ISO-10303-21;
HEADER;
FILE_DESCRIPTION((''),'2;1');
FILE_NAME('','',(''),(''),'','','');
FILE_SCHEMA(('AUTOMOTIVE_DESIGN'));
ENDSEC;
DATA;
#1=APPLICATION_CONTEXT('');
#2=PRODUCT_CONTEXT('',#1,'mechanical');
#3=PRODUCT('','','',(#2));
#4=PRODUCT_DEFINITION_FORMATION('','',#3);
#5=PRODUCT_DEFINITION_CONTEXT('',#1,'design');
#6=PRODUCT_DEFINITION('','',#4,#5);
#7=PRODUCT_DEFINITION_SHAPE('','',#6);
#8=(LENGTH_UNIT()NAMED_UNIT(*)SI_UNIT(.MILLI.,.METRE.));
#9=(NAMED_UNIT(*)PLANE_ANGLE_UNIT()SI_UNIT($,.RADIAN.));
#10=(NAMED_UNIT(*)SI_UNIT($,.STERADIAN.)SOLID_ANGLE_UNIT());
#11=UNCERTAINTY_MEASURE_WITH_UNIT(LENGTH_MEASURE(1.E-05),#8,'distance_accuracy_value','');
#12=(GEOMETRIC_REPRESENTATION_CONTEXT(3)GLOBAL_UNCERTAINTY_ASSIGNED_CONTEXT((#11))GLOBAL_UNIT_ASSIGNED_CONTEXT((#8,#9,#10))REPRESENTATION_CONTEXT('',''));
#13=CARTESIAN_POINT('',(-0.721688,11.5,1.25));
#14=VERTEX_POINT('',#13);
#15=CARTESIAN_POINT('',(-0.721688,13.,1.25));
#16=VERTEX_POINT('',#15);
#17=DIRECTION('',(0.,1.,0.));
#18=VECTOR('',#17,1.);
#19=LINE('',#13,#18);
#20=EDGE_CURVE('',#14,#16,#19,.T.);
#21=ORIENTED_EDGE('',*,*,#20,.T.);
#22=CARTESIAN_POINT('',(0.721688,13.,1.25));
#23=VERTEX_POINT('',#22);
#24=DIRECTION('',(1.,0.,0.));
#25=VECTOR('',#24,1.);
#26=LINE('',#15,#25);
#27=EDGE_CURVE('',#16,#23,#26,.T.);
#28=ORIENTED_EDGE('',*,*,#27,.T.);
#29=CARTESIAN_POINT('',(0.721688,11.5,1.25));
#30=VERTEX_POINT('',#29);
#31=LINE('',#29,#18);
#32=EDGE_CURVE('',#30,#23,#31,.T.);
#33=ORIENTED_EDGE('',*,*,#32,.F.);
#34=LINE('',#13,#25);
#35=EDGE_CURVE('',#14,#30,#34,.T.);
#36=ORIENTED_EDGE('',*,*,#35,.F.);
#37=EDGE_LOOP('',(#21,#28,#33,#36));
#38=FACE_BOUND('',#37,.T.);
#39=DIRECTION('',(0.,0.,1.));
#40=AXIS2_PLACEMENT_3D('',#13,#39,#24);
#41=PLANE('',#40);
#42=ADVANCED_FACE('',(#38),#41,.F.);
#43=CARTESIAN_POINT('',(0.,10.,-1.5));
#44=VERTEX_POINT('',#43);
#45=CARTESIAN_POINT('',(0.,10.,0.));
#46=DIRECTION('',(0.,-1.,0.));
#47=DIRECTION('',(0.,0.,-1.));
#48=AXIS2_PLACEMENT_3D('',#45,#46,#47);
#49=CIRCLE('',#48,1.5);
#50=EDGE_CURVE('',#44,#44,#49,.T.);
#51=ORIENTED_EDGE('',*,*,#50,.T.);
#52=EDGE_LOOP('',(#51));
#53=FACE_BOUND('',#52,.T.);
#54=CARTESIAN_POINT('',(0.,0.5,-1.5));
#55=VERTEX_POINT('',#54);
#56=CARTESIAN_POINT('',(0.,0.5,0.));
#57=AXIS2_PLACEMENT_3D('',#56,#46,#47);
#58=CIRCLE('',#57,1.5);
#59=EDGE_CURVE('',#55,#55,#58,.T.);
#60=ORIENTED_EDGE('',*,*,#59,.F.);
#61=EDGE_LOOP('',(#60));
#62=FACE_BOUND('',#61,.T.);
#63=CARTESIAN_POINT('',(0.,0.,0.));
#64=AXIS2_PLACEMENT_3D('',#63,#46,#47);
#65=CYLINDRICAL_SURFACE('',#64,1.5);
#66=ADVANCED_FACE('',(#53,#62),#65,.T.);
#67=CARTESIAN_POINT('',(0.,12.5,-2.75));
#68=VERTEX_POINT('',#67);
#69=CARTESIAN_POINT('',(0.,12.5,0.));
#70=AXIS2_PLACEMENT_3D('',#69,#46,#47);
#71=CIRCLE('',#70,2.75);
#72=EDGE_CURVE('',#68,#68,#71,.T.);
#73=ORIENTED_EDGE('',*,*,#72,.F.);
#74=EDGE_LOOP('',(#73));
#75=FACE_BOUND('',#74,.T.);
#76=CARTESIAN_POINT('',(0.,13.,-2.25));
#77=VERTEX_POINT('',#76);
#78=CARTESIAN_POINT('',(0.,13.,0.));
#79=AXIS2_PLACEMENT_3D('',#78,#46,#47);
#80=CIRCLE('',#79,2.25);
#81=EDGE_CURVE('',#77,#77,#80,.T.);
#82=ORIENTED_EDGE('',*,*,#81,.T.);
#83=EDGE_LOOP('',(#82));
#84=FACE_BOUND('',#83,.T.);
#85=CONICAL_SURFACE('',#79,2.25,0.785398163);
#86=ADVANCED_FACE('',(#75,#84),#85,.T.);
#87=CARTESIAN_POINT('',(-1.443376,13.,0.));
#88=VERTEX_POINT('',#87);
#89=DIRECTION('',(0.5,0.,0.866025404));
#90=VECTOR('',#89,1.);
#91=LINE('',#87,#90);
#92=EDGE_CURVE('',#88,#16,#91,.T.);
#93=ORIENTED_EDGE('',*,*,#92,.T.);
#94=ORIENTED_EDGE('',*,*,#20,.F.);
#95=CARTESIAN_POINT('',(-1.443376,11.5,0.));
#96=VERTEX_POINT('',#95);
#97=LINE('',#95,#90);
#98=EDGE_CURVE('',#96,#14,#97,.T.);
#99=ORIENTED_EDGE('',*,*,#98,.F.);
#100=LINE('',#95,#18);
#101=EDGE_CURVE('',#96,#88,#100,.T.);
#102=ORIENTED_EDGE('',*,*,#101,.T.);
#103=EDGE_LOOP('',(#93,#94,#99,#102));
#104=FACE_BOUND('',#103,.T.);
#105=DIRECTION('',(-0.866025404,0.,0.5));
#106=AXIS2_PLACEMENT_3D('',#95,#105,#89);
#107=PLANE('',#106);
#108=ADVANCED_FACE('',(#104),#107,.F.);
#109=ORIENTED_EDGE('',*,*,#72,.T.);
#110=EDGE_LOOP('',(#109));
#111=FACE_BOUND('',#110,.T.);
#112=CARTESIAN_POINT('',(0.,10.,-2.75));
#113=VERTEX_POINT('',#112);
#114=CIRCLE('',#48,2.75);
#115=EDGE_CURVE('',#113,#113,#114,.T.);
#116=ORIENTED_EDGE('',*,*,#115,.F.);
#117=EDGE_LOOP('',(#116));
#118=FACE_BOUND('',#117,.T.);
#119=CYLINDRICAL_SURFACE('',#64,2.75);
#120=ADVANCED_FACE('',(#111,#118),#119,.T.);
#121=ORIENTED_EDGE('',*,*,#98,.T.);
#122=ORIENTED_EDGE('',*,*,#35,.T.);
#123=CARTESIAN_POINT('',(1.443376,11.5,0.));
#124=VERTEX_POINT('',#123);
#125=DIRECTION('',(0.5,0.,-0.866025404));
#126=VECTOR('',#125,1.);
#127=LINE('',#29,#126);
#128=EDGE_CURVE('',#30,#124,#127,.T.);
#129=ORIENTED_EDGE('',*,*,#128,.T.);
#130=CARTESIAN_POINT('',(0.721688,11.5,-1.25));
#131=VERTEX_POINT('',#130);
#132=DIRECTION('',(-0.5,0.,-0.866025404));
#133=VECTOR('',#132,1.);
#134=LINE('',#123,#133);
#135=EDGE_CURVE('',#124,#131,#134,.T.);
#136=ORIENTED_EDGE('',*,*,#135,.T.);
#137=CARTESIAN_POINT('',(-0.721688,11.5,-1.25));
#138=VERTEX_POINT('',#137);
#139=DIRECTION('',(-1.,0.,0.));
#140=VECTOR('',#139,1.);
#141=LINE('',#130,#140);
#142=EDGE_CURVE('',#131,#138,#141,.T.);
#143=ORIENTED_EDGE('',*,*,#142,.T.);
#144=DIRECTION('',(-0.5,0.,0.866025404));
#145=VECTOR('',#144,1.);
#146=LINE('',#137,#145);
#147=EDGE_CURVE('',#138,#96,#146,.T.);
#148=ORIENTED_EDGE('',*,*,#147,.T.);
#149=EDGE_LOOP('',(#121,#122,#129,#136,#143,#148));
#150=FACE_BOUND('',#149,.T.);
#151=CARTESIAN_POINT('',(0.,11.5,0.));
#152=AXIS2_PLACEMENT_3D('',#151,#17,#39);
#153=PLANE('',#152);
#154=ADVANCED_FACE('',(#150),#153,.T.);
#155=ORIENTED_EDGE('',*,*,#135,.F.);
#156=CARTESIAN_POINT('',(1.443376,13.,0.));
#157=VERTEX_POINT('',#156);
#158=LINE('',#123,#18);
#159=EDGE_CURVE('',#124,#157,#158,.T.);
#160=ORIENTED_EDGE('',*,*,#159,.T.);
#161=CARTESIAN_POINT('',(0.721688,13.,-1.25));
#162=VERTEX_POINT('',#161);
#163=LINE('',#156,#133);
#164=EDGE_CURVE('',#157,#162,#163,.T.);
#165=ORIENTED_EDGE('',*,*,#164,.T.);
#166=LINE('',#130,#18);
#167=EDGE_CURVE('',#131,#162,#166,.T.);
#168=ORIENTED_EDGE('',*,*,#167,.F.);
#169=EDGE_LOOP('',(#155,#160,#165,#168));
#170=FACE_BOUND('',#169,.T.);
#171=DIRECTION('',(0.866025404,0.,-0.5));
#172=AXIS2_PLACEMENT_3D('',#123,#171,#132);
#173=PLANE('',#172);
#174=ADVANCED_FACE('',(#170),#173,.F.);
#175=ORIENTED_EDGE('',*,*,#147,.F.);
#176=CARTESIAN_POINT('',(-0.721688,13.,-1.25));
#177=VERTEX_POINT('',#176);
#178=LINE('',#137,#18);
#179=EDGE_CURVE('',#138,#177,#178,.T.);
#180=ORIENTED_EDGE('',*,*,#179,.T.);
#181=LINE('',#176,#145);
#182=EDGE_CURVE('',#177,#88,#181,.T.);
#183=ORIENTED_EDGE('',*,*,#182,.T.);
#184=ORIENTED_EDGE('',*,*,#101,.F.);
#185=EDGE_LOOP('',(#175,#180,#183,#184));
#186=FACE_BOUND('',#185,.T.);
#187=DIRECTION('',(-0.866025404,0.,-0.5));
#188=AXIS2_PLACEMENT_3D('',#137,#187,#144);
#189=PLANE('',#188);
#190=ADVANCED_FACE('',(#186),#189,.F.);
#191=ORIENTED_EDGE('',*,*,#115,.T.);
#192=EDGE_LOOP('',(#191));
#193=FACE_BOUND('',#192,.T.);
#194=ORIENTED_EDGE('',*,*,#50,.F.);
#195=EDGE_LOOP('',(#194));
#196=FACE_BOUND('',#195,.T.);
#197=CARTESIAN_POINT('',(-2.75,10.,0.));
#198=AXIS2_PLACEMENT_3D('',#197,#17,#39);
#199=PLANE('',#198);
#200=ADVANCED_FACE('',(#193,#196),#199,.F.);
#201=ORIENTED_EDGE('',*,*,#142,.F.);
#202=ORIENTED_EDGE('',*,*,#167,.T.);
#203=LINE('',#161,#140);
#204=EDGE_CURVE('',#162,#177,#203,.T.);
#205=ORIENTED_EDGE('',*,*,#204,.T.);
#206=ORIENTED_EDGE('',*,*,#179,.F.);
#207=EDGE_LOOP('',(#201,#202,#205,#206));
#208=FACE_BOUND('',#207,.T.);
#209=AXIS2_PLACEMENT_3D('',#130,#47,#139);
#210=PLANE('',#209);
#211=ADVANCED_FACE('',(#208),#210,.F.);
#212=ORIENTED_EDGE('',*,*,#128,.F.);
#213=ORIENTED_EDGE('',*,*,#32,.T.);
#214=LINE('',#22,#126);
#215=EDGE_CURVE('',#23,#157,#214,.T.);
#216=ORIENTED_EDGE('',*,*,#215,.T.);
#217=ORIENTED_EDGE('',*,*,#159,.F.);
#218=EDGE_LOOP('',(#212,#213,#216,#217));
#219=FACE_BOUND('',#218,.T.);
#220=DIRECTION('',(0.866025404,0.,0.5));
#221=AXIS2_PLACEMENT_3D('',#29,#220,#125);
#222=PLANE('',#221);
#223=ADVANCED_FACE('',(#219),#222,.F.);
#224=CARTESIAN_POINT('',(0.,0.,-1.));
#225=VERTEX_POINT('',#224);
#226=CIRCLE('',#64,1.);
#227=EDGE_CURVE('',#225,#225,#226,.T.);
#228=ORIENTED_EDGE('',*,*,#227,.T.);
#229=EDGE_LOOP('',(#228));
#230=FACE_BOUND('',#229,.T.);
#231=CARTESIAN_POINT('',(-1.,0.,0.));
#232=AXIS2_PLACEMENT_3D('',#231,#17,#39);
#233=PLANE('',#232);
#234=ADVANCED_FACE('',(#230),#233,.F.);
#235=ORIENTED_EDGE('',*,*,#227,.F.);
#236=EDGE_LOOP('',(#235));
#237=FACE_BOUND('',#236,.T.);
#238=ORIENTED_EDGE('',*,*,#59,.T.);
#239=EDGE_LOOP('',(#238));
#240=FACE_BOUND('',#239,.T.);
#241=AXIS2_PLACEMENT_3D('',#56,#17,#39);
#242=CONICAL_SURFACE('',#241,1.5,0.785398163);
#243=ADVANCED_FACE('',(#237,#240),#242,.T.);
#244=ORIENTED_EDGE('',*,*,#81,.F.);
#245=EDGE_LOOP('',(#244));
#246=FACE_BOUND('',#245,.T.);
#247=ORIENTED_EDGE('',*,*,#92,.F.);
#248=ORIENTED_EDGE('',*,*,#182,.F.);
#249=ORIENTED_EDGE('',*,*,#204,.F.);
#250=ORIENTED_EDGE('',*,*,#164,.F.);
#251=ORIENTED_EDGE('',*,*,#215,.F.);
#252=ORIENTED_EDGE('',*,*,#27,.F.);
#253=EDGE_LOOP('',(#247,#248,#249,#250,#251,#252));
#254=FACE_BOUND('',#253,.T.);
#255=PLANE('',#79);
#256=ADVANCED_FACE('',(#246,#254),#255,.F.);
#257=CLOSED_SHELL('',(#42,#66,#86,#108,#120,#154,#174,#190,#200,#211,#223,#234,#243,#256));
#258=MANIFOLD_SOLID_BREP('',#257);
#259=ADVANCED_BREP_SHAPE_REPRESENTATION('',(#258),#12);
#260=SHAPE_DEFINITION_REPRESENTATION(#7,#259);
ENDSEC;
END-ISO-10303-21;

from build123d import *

# Parameters (mm, degrees)
CUT_EXTRUDE1_DEPTH = 1.5


with BuildPart() as part:
    # Sketch1 → Revolve1 (revolve)
    with BuildSketch(Plane.XY, mode=Mode.PRIVATE) as revolve1_sk:
        Polygon((0, 13), (-2.25, 13), (-2.75, 12.5), (-2.75, 10), (-1.5, 10), (-1.5, 0.5), (-1, 0), (0, 0), align=None)
    revolve(revolve1_sk.sketch.rotate(Axis((0, 0, 0), (0, 1, 0)), 270), axis=Axis((0, 0, 0), (0, 1, 0)))

    # Sketch2 → Cut-Extrude1 (cut)
    with BuildSketch(Plane(origin=(0, 13, 0), x_dir=(1, 0, 0), z_dir=(0, 1, 0))):
        Polygon((-1.443375673, 0), (-0.721687836, -1.25), (0.721687836, -1.25), (1.443375673, 0), (0.721687836, 1.25), (-0.721687836, 1.25), align=None)
    extrude(amount=-CUT_EXTRUDE1_DEPTH, mode=Mode.SUBTRACT)


solid = part.part
